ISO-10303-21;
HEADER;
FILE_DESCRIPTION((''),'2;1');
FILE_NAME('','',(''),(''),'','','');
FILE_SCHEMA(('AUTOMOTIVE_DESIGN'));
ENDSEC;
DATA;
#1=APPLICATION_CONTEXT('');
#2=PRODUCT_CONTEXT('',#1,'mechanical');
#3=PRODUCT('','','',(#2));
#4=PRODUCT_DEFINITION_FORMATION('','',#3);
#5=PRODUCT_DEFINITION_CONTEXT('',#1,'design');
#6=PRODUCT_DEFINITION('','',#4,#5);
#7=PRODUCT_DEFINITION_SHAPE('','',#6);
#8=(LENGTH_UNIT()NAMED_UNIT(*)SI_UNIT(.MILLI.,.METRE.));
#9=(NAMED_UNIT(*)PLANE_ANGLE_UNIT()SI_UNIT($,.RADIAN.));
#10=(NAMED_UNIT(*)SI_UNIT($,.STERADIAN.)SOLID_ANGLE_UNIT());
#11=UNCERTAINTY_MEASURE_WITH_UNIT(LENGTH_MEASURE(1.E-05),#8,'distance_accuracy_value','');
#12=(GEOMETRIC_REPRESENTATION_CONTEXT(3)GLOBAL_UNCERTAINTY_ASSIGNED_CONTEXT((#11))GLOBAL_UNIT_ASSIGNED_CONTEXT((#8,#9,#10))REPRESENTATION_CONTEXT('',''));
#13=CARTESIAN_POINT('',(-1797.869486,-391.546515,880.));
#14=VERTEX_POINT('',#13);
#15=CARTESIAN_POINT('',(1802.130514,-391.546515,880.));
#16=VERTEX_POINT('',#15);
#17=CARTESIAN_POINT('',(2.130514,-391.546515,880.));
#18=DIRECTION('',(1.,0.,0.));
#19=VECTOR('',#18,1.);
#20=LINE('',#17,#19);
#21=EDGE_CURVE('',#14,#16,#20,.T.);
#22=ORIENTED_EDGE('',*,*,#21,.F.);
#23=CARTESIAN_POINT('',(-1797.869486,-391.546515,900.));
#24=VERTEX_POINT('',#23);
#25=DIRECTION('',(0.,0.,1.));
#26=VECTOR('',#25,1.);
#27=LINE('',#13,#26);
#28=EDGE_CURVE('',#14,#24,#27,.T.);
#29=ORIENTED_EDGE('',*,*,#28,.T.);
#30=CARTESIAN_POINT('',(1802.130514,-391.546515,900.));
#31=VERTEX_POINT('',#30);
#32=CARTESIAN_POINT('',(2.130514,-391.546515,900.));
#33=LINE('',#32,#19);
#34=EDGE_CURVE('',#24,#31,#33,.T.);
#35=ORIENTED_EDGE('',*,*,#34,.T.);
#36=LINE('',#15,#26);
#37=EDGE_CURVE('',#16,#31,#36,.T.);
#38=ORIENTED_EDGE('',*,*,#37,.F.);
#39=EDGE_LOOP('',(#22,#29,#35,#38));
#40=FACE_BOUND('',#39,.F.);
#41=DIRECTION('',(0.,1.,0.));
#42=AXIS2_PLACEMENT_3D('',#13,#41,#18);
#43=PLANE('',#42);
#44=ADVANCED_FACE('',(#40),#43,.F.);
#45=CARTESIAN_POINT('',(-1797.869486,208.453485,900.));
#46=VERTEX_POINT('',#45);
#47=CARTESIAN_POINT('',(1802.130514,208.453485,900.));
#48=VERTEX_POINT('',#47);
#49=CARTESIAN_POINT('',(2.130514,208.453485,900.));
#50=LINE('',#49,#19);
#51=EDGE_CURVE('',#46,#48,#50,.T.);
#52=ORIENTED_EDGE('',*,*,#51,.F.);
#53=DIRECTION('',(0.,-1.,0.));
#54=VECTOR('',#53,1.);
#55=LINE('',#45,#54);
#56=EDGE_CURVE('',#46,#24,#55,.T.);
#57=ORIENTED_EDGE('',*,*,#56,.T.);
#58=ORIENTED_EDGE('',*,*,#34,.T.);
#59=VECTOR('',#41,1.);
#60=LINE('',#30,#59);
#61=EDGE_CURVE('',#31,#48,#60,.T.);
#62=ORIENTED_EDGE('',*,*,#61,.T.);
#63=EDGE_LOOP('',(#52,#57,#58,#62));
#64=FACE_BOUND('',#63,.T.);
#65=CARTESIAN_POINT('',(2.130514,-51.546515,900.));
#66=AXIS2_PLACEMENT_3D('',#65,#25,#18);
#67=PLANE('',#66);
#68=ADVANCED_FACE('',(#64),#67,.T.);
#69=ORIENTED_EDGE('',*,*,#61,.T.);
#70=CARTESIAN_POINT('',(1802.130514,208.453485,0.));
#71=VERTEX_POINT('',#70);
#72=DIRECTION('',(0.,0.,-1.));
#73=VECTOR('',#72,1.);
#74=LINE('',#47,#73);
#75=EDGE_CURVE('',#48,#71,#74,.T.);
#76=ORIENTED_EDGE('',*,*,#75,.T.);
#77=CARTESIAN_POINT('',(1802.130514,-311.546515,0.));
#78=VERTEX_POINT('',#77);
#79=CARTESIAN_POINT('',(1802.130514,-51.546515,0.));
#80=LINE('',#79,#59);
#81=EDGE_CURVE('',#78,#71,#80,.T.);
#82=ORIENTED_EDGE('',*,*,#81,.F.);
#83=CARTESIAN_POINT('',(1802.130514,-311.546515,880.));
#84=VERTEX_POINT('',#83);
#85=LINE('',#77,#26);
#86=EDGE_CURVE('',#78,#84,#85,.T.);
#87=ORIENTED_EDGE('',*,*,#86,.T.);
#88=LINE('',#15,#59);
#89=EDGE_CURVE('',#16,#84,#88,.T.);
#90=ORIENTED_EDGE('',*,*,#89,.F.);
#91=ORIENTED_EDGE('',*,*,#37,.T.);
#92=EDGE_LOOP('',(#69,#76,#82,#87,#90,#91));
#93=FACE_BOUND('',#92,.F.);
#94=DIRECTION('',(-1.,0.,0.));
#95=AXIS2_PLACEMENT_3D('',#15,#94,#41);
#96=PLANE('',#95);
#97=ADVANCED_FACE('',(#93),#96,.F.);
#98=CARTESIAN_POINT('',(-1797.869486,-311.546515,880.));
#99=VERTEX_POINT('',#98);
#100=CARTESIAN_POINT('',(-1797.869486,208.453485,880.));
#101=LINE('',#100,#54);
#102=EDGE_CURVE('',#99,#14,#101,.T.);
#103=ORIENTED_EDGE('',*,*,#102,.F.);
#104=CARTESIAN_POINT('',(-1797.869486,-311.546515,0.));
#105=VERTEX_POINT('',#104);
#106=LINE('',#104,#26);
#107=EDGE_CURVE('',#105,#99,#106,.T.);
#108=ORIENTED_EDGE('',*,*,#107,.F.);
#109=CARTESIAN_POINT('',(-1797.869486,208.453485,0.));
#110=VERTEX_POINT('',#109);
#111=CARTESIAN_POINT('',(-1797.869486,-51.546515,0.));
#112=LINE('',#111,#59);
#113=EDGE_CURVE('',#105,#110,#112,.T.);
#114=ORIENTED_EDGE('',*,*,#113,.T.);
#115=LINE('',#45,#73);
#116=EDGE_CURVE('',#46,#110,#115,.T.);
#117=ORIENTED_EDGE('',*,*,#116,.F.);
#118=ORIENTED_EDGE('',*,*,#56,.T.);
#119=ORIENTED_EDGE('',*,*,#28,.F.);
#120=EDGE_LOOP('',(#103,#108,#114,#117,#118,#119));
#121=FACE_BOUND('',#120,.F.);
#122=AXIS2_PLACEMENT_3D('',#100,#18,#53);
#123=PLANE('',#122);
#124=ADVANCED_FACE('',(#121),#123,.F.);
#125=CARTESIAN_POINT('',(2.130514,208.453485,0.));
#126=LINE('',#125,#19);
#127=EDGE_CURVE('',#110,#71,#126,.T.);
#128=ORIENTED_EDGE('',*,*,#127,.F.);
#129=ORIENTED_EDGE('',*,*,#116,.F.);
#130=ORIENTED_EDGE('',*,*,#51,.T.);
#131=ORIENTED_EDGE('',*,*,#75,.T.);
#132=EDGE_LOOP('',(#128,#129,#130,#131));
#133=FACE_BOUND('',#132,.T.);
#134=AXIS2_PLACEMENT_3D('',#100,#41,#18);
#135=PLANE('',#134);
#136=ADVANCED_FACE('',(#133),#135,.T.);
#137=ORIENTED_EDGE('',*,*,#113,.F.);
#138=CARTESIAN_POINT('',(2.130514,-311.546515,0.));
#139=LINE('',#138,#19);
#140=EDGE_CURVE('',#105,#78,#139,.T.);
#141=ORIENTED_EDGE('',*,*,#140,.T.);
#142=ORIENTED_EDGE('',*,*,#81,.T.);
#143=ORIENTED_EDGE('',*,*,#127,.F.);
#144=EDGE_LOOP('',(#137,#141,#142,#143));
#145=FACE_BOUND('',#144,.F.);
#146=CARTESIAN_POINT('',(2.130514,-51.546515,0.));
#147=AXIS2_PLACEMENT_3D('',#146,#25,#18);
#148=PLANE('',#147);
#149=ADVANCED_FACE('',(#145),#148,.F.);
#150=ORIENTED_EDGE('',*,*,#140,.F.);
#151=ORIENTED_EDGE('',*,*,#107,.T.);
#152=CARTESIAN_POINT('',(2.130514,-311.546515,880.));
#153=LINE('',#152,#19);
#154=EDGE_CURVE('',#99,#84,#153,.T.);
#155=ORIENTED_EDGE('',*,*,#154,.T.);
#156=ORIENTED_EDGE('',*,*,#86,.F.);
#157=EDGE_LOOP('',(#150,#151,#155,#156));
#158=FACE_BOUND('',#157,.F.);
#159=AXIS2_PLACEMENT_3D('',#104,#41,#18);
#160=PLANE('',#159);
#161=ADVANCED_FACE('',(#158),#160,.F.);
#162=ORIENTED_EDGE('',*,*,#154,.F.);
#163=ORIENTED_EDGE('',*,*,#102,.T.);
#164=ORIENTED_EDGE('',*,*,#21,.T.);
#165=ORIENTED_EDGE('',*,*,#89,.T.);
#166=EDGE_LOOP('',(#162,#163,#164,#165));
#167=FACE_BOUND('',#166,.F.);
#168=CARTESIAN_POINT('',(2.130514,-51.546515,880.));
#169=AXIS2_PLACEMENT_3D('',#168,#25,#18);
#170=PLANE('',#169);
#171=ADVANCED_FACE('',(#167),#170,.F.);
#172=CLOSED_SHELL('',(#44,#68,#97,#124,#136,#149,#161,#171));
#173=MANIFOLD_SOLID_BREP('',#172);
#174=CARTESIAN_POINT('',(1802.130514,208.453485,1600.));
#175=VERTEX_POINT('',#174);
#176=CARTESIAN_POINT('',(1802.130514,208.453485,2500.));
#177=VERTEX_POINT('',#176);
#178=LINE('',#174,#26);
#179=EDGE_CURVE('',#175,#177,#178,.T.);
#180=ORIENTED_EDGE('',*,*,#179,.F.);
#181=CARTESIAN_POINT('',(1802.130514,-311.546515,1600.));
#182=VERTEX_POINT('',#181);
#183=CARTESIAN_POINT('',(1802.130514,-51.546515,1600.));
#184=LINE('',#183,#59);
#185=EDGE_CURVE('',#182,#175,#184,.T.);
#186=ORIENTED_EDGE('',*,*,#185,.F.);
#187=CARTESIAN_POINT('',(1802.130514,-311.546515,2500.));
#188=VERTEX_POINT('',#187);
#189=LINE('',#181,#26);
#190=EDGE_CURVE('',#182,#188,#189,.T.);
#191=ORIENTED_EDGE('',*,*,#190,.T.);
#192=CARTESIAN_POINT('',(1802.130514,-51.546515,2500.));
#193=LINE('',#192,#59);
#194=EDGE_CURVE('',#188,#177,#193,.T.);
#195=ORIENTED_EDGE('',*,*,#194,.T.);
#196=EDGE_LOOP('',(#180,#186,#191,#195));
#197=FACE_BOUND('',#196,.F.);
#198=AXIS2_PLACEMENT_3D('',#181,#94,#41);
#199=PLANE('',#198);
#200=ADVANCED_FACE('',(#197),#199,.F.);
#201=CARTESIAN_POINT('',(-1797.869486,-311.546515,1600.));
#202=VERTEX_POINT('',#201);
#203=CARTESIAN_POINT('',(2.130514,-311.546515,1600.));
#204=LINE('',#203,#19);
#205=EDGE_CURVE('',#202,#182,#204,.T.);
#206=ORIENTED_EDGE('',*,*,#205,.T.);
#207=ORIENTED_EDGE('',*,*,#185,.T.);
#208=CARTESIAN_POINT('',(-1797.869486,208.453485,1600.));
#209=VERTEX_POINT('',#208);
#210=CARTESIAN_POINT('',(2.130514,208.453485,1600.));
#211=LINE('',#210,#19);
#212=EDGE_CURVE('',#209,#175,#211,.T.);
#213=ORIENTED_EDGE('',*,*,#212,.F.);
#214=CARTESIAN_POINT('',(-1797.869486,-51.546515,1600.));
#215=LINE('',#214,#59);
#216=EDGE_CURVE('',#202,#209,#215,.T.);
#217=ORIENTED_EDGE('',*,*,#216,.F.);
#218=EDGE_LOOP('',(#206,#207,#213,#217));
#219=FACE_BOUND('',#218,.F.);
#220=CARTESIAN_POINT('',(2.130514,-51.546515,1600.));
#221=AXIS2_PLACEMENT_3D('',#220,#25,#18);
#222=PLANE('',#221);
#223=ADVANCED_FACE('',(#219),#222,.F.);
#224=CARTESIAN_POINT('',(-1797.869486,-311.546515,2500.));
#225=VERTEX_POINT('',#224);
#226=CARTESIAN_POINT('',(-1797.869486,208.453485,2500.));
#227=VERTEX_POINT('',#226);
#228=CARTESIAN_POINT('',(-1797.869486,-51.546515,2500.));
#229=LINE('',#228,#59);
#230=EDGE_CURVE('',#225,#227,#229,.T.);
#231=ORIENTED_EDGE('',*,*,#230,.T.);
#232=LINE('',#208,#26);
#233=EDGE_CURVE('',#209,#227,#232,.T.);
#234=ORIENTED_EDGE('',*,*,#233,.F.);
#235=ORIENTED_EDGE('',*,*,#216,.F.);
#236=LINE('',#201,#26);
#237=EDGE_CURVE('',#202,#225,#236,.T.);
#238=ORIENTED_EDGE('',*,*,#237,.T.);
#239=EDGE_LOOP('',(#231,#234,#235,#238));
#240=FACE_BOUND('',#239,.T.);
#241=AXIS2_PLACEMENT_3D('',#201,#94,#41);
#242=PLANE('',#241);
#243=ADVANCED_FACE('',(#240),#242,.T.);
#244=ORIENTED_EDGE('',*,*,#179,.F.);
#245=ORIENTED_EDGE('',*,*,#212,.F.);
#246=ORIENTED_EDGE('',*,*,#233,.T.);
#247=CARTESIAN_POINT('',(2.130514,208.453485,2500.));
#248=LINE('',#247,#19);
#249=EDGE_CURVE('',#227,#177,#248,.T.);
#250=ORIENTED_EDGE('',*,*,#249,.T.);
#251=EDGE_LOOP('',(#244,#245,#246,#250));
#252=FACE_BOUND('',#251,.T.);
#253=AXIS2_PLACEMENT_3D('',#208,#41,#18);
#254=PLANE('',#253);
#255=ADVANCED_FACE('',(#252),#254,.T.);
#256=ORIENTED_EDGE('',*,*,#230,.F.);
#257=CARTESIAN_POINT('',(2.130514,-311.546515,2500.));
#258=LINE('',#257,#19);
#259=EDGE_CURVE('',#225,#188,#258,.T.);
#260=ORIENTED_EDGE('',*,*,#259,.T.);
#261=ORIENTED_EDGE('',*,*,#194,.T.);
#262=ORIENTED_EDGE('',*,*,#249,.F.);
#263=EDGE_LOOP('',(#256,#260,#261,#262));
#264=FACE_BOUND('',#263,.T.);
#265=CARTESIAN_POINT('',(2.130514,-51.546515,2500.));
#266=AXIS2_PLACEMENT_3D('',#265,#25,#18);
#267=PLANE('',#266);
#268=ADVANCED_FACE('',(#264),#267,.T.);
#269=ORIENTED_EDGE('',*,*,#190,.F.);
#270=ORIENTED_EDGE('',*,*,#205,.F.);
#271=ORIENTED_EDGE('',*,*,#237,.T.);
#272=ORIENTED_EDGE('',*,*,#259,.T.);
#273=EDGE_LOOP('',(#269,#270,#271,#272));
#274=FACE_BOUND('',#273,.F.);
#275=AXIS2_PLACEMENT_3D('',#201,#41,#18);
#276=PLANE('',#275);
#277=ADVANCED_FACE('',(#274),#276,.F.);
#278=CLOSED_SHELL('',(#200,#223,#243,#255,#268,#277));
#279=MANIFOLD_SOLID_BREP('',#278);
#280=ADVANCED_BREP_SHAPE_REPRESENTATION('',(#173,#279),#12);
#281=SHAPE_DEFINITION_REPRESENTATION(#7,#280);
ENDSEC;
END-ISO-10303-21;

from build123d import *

# Parameters (mm, degrees)
F0_W     = 3600
F0_H     = 520
F1_DEPTH = 880
F2_START = 880
F0_H_2   = 80
F2_DEPTH = 20
F3_START = 1600
F3_DEPTH = 900


with BuildPart() as f1:
    # F0 (on Top) → F1 (new body)
    with BuildSketch(Plane.XY):
        with Locations((2.1305140108, -51.5465147062)):
            Rectangle(F0_W, F0_H)
    extrude(amount=F1_DEPTH)

    # F0 (on Top) → F2 (join)
    with BuildSketch(Plane.XY.offset(F2_START)):
        with Locations((2.1305140108, -51.5465147062)):
            Rectangle(F0_W, F0_H)
        with Locations((2.1305140108, -351.5465147062)):
            Rectangle(F0_W, F0_H_2)
    extrude(amount=F2_DEPTH)


with BuildPart() as f3:
    # F0 (on Top) → F3 (new body)
    with BuildSketch(Plane.XY.offset(F3_START)):
        with Locations((2.1305140108, -51.5465147062)):
            Rectangle(F0_W, F0_H)
    extrude(amount=F3_DEPTH)


solid = Compound([f1.part, f3.part])
